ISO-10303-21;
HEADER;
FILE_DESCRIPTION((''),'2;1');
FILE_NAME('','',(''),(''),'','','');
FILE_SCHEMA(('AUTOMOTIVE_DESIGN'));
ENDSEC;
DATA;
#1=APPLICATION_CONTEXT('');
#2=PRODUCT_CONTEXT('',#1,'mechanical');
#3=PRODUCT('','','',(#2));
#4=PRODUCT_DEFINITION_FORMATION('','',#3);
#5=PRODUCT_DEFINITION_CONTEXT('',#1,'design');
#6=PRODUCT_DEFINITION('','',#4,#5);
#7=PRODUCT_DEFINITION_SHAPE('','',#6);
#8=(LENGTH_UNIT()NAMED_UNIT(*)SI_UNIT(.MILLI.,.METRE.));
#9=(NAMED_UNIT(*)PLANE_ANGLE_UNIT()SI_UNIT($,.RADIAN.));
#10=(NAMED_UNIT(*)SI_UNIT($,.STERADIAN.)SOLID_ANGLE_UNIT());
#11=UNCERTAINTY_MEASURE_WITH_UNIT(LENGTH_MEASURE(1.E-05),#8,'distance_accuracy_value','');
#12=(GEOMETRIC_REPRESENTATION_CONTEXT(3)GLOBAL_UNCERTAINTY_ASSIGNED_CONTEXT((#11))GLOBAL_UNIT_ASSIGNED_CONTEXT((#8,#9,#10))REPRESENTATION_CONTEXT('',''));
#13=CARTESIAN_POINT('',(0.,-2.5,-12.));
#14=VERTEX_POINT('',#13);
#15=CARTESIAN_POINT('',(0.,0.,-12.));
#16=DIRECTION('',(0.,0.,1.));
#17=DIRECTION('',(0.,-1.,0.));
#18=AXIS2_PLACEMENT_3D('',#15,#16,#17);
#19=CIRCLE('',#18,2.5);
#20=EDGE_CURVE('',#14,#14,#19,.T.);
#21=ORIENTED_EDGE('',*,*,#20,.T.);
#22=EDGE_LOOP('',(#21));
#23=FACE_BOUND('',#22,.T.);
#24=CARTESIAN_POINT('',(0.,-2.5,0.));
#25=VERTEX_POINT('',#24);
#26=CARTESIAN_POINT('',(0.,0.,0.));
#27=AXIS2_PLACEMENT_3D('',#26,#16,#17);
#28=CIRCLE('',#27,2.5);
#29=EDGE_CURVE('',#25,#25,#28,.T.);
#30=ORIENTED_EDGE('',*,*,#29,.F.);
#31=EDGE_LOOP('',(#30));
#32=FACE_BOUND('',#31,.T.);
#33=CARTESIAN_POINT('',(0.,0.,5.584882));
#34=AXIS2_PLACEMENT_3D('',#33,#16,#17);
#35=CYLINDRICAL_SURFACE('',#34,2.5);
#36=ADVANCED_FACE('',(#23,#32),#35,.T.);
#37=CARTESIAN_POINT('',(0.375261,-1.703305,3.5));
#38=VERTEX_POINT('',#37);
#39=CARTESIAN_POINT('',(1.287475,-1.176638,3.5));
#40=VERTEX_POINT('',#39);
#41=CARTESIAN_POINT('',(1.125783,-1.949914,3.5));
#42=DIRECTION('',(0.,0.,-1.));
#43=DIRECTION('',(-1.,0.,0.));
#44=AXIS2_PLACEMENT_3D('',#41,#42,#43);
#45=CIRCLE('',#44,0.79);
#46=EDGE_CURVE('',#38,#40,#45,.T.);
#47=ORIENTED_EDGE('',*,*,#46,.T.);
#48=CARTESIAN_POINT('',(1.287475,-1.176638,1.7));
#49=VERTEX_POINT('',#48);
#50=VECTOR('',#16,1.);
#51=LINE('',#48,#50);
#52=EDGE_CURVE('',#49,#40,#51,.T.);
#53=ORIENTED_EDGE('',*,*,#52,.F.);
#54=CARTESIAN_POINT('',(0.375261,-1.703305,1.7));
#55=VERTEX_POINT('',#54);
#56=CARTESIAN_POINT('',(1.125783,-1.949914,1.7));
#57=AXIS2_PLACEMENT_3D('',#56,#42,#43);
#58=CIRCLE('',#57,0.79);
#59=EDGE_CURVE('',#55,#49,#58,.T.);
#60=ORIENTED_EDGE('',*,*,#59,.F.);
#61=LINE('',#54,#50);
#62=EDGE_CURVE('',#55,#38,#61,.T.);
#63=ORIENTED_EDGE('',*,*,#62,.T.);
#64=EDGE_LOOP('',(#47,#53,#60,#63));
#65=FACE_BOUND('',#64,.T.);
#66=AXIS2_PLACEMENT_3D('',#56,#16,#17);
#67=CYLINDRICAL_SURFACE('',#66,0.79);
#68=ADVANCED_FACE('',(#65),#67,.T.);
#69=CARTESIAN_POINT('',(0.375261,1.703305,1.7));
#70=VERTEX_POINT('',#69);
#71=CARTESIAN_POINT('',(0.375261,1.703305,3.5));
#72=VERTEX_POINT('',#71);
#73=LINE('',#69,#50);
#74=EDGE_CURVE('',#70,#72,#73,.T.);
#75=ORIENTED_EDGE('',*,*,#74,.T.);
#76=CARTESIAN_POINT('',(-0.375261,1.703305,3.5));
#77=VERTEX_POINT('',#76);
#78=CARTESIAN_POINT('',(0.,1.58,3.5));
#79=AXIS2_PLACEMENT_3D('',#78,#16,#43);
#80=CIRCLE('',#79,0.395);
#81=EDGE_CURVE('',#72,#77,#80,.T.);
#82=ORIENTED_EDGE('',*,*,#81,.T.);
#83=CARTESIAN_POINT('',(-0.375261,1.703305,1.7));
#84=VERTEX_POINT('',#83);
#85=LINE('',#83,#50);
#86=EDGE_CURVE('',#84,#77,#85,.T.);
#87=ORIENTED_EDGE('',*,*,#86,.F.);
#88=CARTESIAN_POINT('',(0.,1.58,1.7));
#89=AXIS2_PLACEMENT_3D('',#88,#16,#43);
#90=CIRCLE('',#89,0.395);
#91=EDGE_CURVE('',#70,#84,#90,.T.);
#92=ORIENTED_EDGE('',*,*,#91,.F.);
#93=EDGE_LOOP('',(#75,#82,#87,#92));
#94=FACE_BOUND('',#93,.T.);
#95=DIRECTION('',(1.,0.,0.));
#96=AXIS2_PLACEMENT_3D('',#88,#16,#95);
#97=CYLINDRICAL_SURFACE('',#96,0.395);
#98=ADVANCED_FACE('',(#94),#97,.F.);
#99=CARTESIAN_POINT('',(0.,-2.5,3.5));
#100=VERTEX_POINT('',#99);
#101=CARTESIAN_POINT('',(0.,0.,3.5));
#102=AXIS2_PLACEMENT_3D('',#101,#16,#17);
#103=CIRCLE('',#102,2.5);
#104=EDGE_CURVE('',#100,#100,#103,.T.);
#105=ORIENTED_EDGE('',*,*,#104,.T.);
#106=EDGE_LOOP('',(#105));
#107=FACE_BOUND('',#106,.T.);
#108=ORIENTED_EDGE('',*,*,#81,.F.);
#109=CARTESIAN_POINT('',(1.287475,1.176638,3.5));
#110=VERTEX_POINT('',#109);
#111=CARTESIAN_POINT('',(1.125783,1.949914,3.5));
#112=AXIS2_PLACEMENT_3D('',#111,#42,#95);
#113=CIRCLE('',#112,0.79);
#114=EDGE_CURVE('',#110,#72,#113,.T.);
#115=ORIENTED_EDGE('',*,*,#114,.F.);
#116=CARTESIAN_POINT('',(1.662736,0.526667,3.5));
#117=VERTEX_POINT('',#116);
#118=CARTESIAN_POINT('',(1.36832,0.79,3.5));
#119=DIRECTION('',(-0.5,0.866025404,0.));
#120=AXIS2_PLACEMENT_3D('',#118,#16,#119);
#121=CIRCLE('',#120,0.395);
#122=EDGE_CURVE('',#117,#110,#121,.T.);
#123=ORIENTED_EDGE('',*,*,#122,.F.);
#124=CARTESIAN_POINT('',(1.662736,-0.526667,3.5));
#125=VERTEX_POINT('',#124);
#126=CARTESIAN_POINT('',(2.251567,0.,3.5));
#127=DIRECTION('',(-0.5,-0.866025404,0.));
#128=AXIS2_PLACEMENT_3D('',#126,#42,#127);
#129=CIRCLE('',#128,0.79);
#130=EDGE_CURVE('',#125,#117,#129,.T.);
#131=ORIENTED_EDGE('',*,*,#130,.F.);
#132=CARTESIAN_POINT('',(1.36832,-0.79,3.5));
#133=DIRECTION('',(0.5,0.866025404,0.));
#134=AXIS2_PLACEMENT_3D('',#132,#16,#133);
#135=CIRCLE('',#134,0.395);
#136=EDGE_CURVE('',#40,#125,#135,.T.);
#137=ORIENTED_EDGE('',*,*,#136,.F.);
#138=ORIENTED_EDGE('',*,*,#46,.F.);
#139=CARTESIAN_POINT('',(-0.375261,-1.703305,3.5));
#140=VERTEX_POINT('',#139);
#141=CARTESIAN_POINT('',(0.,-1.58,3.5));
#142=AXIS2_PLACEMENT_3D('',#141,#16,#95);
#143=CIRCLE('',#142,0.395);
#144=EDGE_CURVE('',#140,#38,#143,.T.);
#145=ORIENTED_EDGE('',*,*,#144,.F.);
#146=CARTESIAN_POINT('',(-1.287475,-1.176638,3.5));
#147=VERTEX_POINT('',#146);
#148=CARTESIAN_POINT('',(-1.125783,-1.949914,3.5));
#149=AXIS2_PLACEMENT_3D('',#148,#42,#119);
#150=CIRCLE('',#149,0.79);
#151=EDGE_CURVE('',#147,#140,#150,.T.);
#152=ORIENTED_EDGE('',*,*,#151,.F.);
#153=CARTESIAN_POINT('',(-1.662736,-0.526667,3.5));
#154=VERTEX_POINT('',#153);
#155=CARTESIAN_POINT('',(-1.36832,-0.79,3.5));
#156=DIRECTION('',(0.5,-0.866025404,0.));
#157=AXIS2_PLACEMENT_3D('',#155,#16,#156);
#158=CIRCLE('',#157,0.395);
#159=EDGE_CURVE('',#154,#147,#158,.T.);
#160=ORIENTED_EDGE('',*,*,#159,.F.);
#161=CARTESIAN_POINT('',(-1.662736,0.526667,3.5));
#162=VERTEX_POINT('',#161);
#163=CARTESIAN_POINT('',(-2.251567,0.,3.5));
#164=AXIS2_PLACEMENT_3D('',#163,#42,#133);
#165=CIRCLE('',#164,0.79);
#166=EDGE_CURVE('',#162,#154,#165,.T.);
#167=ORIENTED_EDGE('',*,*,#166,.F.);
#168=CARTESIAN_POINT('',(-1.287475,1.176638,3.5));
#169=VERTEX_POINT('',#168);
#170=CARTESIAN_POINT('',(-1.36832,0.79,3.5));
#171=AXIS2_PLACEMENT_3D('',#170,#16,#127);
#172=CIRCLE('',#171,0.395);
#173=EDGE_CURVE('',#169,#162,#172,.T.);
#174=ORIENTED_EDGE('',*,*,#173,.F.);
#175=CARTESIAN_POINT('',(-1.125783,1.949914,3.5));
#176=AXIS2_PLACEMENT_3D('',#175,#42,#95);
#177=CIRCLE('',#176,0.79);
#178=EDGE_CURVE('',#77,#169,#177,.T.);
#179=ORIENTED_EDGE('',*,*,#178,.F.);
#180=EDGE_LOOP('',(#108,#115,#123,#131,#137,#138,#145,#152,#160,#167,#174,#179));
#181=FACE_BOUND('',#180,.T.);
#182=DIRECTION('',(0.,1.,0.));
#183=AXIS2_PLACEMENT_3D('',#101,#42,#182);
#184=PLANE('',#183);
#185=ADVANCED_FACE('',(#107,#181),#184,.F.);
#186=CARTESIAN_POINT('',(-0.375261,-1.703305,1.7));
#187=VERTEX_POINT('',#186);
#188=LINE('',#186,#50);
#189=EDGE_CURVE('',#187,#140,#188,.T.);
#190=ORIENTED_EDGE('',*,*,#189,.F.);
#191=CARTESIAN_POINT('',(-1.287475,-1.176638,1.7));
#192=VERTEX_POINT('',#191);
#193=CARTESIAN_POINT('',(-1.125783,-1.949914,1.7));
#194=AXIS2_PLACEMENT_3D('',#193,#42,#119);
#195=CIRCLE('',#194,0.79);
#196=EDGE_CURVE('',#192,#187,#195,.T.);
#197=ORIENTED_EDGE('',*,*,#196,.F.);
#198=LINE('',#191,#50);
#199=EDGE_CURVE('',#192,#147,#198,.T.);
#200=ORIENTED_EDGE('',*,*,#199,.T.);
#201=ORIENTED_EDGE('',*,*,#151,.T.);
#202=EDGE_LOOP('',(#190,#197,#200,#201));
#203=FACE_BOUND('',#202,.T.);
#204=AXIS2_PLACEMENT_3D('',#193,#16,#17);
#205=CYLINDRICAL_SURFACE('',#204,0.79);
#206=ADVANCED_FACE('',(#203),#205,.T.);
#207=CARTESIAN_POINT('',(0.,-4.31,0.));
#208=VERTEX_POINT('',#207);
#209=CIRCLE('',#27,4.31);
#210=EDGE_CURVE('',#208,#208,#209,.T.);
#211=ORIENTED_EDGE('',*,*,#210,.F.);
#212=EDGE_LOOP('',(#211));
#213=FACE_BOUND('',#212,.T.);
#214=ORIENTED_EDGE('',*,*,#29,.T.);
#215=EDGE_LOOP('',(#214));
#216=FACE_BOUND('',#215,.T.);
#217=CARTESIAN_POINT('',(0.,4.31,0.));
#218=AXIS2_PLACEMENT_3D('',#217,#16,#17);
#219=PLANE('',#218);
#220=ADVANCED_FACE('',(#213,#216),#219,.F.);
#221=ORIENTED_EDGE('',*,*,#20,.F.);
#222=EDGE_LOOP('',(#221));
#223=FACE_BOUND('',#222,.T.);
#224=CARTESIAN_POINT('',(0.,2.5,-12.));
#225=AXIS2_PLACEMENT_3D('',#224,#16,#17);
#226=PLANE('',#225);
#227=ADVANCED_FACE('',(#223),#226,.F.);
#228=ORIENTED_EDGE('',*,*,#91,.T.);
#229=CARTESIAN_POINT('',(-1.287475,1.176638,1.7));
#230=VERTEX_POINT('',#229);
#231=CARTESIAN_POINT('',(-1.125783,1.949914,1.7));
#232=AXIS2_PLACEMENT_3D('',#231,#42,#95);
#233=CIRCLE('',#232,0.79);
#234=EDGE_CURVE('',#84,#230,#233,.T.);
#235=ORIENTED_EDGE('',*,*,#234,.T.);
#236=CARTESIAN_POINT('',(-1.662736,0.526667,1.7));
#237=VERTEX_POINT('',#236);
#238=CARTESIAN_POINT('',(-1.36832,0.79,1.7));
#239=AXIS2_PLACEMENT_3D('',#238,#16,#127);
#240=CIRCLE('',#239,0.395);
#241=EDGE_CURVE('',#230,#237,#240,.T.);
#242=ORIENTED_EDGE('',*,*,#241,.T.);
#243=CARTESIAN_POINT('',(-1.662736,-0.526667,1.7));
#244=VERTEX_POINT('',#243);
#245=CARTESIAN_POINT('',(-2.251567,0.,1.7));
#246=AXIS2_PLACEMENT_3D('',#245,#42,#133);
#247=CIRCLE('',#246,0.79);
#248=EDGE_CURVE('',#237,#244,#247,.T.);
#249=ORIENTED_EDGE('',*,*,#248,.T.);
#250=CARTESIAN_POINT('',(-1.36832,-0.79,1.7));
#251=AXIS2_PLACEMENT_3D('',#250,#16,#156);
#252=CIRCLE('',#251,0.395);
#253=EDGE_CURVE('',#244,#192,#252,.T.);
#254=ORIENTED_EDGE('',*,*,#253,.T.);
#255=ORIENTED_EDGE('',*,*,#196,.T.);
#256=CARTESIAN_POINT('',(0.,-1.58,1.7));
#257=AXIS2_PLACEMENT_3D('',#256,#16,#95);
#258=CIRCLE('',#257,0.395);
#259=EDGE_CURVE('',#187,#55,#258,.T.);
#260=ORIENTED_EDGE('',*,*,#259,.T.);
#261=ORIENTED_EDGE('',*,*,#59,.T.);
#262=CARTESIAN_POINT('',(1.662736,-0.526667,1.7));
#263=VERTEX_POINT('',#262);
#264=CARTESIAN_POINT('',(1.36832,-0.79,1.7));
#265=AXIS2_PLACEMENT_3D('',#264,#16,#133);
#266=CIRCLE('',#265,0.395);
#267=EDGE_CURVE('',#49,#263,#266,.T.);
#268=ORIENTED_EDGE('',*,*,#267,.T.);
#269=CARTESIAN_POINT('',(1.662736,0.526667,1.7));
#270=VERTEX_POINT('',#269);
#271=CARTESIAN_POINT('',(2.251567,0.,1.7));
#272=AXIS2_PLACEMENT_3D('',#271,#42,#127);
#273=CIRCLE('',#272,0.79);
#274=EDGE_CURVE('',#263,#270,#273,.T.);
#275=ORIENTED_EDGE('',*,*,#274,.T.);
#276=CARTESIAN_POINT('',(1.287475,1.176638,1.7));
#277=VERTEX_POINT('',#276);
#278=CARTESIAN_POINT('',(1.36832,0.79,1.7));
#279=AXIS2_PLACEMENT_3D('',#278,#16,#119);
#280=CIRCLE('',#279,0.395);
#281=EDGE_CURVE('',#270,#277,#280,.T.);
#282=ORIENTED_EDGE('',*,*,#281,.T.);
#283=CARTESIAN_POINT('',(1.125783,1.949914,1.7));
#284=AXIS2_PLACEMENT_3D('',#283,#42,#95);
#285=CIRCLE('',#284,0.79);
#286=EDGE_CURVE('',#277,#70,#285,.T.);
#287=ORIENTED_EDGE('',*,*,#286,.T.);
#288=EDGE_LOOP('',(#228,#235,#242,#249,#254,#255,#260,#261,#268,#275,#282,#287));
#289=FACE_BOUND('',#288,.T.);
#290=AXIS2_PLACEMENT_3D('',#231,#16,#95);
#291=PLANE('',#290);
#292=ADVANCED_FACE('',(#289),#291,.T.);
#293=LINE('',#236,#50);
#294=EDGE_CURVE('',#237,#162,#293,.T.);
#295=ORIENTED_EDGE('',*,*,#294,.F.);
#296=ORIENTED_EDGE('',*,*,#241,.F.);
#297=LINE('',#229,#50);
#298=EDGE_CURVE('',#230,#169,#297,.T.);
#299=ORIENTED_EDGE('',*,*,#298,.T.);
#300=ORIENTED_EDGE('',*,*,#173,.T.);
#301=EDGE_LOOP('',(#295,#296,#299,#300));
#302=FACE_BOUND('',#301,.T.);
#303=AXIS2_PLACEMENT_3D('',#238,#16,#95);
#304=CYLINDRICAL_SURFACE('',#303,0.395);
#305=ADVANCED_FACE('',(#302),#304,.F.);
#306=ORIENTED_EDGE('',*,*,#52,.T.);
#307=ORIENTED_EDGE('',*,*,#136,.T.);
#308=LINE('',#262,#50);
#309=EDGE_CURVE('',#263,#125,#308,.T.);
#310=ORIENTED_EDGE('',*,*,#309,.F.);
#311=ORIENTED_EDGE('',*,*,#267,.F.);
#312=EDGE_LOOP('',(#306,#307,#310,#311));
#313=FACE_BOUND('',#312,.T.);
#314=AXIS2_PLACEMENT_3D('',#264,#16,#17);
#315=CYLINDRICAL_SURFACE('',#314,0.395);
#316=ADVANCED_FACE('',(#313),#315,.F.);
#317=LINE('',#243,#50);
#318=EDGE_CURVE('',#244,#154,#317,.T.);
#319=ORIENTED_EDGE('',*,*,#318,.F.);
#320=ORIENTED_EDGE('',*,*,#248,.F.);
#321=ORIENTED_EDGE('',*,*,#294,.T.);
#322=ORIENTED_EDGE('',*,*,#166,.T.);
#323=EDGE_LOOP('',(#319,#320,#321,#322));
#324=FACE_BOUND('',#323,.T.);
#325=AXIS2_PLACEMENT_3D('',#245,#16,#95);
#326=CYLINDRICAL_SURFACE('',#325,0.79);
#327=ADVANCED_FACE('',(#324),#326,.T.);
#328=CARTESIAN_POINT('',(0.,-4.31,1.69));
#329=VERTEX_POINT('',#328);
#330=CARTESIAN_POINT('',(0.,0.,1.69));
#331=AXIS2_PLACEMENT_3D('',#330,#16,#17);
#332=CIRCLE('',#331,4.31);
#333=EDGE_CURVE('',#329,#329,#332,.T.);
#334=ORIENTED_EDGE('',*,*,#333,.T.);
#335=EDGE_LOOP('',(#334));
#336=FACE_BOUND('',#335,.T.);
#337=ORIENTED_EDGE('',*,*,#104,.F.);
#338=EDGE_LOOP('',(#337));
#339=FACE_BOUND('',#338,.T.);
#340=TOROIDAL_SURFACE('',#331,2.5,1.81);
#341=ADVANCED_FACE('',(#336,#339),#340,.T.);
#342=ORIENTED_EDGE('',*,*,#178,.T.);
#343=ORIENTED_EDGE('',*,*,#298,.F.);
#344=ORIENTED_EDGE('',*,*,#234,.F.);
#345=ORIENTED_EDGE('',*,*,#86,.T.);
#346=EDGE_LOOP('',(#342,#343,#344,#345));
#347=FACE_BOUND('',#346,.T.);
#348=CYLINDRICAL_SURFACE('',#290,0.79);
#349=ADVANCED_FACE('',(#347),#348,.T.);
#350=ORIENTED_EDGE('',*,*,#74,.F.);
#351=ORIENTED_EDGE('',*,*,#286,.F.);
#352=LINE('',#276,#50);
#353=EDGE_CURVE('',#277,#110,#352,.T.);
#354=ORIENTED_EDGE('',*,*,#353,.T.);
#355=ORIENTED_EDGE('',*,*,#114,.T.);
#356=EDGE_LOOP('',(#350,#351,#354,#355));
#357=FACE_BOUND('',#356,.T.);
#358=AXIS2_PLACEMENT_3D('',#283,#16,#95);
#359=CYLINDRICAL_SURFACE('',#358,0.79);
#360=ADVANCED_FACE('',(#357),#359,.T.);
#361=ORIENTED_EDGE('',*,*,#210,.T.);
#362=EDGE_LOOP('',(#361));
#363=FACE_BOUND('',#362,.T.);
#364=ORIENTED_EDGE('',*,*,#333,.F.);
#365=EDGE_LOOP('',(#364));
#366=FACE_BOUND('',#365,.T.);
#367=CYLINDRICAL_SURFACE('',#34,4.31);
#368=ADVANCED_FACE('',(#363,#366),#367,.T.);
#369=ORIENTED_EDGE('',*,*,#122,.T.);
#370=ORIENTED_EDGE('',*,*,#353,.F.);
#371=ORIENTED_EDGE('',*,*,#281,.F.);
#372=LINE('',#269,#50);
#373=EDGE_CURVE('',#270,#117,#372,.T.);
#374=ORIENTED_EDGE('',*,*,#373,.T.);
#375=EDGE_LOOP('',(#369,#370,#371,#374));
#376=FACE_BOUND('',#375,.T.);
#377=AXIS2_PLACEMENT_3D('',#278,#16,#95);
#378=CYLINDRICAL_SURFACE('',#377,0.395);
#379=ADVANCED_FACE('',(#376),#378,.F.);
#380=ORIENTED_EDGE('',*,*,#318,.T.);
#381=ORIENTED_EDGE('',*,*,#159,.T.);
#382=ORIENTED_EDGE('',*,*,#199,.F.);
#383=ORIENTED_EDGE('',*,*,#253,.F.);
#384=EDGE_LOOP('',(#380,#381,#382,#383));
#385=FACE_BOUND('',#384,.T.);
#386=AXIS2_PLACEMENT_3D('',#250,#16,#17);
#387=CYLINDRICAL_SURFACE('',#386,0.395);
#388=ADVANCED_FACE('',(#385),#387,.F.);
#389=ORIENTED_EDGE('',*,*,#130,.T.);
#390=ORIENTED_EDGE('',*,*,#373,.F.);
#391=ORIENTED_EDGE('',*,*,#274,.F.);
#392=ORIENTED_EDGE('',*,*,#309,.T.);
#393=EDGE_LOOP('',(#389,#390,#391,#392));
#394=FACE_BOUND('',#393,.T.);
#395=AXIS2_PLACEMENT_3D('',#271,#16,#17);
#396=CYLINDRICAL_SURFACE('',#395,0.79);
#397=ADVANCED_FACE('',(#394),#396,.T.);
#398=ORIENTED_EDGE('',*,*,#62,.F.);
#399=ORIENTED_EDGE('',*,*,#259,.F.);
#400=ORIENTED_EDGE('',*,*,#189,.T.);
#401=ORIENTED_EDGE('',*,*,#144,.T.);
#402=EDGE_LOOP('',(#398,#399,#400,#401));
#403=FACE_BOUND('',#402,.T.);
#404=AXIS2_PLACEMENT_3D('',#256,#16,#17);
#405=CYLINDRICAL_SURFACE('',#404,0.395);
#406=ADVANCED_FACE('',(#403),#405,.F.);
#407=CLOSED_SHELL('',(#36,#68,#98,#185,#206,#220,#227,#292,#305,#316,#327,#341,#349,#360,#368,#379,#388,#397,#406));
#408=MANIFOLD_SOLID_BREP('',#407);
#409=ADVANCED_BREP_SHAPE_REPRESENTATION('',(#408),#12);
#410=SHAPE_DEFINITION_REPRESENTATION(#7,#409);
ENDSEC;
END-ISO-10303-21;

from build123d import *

# Parameters (mm, degrees)
CUT_EXTRUDE1_DEPTH = 1.8
CIRPATTERN1_COUNT  = 6


with BuildPart() as part:
    # Sketch1 → Revolve1 (revolve)
    with BuildSketch(Plane(origin=(0, 0, 0), x_dir=(0, 0, -1), z_dir=(1, 0, 0))):
        with BuildLine():
            Line((-3.5, 0), (-3.5, 2.5))
            ThreePointArc((-3.5, 2.5), (-2.969863274, 3.779863274), (-1.69, 4.31))
            Line((-1.69, 4.31), (0, 4.31))
            Line((0, 4.31), (0, 2.5))
            Line((0, 2.5), (12, 2.5))
            Line((12, 2.5), (12, 0))
            Line((12, 0), (-3.5, 0))
        make_face()
    revolve(axis=Axis((0, 0, 5.584882278), (0, 0, -1)))

    # Sketch2 → Cut-Extrude1 (cut)
    with BuildSketch(Plane.XY.offset(3.5)):
        with BuildLine():
            Line((-0.730783495, 1.265754142), (0, 0))
            Line((0, 0), (0.730783495, 1.265754142))
            ThreePointArc((0.730783495, 1.265754142), (0.512661987, 1.451735511), (0.375261165, 1.703304737))
            ThreePointArc((0.375261165, 1.703304737), (0, 1.975), (-0.375261165, 1.703304737))
            ThreePointArc((-0.375261165, 1.703304737), (-0.512661987, 1.451735511), (-0.730783495, 1.265754142))
        make_face()
    cut_extrude1 = extrude(amount=-CUT_EXTRUDE1_DEPTH, mode=Mode.SUBTRACT)

    # CirPattern1: Cut-Extrude1 ×6 about axis
    cirpattern1_axis = Axis((0, 0, 5.584882278), (0, 0, 1))
    for i in range(1, CIRPATTERN1_COUNT):
        add(cut_extrude1.rotate(cirpattern1_axis, i * 360 / CIRPATTERN1_COUNT), mode=Mode.SUBTRACT)


solid = part.part
